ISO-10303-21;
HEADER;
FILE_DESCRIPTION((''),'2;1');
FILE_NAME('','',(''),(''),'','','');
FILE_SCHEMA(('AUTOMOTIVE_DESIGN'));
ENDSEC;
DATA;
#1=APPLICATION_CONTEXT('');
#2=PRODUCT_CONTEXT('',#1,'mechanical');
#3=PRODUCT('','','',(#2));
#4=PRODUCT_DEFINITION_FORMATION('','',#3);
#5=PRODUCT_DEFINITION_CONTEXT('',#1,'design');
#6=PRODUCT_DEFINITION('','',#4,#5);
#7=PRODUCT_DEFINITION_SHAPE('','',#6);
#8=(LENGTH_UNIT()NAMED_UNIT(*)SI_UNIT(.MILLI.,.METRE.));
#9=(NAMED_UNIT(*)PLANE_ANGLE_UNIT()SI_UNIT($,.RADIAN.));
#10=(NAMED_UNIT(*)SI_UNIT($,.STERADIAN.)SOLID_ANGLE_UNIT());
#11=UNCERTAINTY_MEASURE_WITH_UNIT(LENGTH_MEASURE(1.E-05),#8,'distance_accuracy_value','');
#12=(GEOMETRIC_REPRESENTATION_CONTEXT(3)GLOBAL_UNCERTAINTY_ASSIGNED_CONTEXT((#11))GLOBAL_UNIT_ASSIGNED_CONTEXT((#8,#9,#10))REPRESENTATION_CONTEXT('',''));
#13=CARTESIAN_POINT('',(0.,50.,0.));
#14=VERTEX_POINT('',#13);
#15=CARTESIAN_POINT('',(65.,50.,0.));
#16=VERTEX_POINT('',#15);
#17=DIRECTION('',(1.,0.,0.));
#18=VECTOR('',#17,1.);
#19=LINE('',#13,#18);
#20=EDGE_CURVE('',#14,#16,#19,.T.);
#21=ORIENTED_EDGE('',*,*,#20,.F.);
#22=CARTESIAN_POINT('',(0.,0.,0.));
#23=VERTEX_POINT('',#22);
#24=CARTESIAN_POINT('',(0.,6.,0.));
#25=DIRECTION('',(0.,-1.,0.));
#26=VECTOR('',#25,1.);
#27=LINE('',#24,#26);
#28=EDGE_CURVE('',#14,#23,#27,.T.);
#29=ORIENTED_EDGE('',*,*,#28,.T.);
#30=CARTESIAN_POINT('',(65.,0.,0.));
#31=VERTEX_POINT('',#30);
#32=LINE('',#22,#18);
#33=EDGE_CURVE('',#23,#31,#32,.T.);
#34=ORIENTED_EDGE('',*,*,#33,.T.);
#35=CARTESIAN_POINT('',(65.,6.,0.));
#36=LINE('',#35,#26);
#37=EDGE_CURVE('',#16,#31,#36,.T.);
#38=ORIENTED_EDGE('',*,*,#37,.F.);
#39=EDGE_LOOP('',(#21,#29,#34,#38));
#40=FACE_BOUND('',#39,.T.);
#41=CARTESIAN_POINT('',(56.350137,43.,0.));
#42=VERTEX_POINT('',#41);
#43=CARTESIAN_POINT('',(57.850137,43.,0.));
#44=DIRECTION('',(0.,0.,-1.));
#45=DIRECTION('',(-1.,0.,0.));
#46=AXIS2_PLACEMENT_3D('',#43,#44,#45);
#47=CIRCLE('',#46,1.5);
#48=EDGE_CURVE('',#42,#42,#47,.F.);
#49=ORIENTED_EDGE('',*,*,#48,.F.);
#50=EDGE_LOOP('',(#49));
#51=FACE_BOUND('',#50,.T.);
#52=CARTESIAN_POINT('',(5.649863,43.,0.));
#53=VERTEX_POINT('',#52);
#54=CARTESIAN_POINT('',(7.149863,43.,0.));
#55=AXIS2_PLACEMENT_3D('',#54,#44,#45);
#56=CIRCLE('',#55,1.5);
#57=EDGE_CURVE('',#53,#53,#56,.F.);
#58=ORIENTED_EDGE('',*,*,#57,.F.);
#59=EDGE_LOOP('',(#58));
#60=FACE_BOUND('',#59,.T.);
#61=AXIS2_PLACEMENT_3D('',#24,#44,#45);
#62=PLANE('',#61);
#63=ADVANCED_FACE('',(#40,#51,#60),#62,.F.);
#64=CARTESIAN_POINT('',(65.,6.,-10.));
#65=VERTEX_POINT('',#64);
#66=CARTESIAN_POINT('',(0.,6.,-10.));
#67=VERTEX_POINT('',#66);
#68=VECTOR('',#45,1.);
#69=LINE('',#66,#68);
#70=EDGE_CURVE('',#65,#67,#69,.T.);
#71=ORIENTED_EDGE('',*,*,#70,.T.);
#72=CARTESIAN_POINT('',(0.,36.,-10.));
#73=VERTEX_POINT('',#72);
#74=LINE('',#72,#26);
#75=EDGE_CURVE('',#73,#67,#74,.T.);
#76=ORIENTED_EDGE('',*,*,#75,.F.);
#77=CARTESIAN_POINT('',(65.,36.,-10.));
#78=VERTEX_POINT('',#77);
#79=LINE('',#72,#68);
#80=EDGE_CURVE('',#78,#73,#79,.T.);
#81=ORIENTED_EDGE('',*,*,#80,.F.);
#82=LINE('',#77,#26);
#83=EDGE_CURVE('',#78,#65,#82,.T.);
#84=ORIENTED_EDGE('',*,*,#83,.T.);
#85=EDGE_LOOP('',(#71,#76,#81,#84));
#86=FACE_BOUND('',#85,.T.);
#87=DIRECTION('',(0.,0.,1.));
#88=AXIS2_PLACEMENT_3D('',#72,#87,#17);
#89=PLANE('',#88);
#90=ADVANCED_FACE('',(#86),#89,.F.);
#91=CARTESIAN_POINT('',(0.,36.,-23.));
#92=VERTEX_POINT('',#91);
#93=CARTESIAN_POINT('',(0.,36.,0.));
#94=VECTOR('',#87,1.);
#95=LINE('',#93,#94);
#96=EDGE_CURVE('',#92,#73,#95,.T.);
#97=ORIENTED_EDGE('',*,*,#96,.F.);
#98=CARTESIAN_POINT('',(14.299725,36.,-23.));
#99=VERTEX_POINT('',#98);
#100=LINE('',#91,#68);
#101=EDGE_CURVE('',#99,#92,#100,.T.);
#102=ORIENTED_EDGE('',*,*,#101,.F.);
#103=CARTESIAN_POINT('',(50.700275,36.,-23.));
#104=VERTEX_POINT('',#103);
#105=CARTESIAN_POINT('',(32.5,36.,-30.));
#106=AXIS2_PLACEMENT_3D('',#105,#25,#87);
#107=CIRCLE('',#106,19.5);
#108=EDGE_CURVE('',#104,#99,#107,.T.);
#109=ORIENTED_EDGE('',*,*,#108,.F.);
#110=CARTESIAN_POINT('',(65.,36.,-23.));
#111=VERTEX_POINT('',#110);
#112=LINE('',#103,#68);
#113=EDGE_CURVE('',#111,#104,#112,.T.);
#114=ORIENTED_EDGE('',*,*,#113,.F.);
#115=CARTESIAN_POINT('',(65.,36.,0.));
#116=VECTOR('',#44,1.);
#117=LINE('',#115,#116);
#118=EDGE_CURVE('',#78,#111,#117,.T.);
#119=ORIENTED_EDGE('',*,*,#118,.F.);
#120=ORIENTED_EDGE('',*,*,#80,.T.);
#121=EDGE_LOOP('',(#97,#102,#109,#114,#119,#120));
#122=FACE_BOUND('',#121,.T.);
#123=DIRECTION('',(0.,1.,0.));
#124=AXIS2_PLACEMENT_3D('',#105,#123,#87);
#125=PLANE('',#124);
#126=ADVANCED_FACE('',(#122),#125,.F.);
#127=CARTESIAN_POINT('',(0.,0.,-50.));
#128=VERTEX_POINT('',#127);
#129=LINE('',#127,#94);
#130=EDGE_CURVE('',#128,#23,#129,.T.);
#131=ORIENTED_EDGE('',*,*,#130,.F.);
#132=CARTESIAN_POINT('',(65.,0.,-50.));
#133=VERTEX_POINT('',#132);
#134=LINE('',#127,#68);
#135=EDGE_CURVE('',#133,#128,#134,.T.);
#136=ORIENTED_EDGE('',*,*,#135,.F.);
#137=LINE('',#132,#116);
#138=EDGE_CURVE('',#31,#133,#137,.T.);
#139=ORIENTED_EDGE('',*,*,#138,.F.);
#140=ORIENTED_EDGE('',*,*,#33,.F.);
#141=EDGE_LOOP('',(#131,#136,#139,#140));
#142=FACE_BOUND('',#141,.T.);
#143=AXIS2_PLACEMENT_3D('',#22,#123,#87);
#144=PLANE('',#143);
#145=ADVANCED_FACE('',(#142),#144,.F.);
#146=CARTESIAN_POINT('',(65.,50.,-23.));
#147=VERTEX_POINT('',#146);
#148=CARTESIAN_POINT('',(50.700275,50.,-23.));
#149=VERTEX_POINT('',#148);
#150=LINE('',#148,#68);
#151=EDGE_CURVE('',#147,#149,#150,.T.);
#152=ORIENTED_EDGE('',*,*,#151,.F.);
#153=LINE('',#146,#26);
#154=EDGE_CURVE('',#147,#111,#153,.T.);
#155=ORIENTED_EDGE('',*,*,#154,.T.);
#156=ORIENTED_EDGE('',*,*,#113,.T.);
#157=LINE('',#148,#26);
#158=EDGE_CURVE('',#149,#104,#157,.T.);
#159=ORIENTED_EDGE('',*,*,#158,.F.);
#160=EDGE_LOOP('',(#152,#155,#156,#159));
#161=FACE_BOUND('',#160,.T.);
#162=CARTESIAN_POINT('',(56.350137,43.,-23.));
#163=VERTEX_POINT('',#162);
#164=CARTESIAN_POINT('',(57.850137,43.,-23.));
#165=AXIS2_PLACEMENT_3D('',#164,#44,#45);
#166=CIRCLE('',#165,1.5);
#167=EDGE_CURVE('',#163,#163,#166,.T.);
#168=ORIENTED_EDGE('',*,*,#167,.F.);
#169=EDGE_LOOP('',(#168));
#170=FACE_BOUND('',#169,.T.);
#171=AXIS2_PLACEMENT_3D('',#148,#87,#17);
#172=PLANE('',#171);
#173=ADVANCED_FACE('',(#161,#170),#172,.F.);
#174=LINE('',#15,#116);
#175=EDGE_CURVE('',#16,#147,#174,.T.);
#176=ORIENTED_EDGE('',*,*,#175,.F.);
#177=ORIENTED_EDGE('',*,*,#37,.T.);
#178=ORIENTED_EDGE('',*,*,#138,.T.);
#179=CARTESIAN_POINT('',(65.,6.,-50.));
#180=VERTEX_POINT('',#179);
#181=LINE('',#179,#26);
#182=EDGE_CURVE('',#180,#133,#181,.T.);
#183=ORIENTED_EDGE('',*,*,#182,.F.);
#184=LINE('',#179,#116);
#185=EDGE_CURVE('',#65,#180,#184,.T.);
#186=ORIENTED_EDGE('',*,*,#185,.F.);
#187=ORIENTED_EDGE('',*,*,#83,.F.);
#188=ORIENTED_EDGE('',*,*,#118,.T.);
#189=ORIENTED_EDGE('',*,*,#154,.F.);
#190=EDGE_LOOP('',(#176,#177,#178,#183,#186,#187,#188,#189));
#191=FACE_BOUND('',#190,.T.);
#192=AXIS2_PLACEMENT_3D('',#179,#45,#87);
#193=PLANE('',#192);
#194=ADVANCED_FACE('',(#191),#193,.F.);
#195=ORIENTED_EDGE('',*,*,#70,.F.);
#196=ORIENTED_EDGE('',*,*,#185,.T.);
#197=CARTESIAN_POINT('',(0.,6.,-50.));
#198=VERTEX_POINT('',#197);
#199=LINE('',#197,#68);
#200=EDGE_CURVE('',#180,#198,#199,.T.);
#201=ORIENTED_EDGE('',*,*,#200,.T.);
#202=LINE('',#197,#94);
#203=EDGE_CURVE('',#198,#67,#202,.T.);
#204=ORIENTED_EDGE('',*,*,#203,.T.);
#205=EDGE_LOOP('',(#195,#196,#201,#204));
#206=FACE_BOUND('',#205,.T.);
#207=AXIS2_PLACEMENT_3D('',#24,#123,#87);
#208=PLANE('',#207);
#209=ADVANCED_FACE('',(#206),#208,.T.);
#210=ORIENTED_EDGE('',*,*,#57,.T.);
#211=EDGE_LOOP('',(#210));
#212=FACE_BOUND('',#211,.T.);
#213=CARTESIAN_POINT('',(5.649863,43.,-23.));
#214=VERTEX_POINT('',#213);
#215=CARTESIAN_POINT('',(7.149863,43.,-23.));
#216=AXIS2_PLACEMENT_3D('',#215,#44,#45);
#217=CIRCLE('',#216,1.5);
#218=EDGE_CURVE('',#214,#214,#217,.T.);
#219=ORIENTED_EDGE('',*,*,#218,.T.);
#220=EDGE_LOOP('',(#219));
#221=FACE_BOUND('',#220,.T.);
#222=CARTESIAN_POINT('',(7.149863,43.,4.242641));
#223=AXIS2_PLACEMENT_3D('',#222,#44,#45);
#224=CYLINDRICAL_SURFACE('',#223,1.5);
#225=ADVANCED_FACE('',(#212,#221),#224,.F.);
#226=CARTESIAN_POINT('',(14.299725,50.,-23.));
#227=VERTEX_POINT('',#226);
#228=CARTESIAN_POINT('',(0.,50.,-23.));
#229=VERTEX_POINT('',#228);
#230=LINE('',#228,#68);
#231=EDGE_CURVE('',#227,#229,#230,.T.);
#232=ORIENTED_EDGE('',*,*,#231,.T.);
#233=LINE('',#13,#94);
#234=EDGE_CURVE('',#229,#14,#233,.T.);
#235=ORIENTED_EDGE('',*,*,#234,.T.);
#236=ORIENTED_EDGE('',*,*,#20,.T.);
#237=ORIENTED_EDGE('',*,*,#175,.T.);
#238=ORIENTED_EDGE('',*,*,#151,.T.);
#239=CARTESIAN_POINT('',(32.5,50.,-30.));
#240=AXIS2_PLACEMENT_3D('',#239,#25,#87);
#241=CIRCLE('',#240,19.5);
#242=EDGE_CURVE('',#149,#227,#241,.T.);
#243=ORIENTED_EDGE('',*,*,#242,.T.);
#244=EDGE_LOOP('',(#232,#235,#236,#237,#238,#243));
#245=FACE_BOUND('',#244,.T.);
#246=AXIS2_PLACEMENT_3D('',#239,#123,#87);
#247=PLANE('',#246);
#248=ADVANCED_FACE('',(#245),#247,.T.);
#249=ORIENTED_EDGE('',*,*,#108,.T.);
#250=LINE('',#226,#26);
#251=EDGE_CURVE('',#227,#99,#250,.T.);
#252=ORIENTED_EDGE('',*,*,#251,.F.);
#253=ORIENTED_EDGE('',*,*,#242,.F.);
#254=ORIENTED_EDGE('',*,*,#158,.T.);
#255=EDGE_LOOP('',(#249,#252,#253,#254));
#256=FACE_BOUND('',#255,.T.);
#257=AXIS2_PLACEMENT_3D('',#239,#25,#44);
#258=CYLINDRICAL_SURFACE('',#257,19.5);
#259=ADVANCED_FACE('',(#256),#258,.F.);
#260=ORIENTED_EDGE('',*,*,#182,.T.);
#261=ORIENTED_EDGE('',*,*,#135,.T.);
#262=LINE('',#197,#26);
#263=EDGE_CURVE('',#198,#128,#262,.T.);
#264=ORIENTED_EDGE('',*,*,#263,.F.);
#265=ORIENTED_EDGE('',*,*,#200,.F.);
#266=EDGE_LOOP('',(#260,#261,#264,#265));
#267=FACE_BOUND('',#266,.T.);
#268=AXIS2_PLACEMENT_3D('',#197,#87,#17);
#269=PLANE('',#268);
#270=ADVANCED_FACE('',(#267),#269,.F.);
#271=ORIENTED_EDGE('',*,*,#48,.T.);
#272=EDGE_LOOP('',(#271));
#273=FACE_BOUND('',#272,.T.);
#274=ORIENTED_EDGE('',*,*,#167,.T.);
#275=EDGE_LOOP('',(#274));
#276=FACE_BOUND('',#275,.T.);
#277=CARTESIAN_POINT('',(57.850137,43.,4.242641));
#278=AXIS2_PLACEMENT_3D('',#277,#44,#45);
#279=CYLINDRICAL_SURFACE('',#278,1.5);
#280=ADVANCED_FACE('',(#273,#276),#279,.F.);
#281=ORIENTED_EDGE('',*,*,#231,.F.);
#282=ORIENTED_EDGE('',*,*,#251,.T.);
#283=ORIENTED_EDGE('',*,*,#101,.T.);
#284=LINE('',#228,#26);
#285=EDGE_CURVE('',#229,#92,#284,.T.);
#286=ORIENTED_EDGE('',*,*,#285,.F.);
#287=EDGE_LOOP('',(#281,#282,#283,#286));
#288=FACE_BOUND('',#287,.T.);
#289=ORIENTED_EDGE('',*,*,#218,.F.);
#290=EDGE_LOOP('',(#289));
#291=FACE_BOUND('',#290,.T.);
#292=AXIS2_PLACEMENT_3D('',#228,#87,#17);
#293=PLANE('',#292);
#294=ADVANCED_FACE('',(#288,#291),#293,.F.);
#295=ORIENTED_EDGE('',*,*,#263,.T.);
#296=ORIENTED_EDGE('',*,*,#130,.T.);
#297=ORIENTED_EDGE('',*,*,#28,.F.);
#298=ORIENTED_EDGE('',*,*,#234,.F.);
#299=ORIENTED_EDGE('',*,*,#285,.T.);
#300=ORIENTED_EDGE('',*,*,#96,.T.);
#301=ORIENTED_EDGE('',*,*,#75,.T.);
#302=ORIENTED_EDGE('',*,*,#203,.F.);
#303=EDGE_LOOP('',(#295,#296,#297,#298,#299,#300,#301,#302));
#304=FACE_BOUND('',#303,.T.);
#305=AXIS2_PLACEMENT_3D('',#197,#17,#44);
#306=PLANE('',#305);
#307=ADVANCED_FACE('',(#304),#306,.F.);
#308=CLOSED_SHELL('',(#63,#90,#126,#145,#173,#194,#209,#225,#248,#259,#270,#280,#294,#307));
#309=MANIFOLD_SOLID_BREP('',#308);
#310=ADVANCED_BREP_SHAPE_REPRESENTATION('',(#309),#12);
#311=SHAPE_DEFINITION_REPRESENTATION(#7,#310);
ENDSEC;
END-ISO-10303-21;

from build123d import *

# Parameters (mm, degrees)
SKETCH1_W           = 65
SKETCH1_H           = 50
BOSS_EXTRUDE1_DEPTH = 6
SKETCH2_W           = 65
SKETCH2_H           = 10
BOSS_EXTRUDE2_DEPTH = 30
BOSS_EXTRUDE3_DEPTH = 14
SKETCH4_R           = 1.5
CUT_EXTRUDE1_DEPTH  = 23


with BuildPart() as part:
    # Sketch1 → Boss-Extrude1 (new body)
    with BuildSketch(Plane(origin=(0, 0, 0), x_dir=(1, 0, 0), z_dir=(0, 1, 0))):
        with Locations((32.5, 25)):
            Rectangle(SKETCH1_W, SKETCH1_H)
    extrude(amount=BOSS_EXTRUDE1_DEPTH)

    # Sketch2 → Boss-Extrude2 (add)
    with BuildSketch(Plane(origin=(0, 6, 0), x_dir=(1, 0, 0), z_dir=(0, 1, 0))):
        with Locations((32.5, 5)):
            Rectangle(SKETCH2_W, SKETCH2_H)
    extrude(amount=BOSS_EXTRUDE2_DEPTH)

    # Sketch3 → Boss-Extrude3 (add)
    with BuildSketch(Plane(origin=(0, 36, 0), x_dir=(1, 0, 0), z_dir=(0, 1, 0))):
        with BuildLine():
            Line((0, 0), (65, 0))
            Line((65, 0), (65, 23))
            Line((65, 23), (50.700274723, 23))
            ThreePointArc((50.700274723, 23), (32.5, 10.5), (14.299725277, 23))
            Line((14.299725277, 23), (0, 23))
            Line((0, 23), (0, 0))
        make_face()
    extrude(amount=BOSS_EXTRUDE3_DEPTH)

    # Sketch4 → Cut-Extrude1 (cut)
    with BuildSketch(Plane(origin=(0, 0, -23), x_dir=(-1, 0, 0), z_dir=(0, 0, -1))):
        with Locations((-57.850137362, 43)):
            Circle(SKETCH4_R)
        with Locations((-7.149862638, 43)):
            Circle(SKETCH4_R)
    extrude(amount=-CUT_EXTRUDE1_DEPTH, mode=Mode.SUBTRACT)


solid = part.part
